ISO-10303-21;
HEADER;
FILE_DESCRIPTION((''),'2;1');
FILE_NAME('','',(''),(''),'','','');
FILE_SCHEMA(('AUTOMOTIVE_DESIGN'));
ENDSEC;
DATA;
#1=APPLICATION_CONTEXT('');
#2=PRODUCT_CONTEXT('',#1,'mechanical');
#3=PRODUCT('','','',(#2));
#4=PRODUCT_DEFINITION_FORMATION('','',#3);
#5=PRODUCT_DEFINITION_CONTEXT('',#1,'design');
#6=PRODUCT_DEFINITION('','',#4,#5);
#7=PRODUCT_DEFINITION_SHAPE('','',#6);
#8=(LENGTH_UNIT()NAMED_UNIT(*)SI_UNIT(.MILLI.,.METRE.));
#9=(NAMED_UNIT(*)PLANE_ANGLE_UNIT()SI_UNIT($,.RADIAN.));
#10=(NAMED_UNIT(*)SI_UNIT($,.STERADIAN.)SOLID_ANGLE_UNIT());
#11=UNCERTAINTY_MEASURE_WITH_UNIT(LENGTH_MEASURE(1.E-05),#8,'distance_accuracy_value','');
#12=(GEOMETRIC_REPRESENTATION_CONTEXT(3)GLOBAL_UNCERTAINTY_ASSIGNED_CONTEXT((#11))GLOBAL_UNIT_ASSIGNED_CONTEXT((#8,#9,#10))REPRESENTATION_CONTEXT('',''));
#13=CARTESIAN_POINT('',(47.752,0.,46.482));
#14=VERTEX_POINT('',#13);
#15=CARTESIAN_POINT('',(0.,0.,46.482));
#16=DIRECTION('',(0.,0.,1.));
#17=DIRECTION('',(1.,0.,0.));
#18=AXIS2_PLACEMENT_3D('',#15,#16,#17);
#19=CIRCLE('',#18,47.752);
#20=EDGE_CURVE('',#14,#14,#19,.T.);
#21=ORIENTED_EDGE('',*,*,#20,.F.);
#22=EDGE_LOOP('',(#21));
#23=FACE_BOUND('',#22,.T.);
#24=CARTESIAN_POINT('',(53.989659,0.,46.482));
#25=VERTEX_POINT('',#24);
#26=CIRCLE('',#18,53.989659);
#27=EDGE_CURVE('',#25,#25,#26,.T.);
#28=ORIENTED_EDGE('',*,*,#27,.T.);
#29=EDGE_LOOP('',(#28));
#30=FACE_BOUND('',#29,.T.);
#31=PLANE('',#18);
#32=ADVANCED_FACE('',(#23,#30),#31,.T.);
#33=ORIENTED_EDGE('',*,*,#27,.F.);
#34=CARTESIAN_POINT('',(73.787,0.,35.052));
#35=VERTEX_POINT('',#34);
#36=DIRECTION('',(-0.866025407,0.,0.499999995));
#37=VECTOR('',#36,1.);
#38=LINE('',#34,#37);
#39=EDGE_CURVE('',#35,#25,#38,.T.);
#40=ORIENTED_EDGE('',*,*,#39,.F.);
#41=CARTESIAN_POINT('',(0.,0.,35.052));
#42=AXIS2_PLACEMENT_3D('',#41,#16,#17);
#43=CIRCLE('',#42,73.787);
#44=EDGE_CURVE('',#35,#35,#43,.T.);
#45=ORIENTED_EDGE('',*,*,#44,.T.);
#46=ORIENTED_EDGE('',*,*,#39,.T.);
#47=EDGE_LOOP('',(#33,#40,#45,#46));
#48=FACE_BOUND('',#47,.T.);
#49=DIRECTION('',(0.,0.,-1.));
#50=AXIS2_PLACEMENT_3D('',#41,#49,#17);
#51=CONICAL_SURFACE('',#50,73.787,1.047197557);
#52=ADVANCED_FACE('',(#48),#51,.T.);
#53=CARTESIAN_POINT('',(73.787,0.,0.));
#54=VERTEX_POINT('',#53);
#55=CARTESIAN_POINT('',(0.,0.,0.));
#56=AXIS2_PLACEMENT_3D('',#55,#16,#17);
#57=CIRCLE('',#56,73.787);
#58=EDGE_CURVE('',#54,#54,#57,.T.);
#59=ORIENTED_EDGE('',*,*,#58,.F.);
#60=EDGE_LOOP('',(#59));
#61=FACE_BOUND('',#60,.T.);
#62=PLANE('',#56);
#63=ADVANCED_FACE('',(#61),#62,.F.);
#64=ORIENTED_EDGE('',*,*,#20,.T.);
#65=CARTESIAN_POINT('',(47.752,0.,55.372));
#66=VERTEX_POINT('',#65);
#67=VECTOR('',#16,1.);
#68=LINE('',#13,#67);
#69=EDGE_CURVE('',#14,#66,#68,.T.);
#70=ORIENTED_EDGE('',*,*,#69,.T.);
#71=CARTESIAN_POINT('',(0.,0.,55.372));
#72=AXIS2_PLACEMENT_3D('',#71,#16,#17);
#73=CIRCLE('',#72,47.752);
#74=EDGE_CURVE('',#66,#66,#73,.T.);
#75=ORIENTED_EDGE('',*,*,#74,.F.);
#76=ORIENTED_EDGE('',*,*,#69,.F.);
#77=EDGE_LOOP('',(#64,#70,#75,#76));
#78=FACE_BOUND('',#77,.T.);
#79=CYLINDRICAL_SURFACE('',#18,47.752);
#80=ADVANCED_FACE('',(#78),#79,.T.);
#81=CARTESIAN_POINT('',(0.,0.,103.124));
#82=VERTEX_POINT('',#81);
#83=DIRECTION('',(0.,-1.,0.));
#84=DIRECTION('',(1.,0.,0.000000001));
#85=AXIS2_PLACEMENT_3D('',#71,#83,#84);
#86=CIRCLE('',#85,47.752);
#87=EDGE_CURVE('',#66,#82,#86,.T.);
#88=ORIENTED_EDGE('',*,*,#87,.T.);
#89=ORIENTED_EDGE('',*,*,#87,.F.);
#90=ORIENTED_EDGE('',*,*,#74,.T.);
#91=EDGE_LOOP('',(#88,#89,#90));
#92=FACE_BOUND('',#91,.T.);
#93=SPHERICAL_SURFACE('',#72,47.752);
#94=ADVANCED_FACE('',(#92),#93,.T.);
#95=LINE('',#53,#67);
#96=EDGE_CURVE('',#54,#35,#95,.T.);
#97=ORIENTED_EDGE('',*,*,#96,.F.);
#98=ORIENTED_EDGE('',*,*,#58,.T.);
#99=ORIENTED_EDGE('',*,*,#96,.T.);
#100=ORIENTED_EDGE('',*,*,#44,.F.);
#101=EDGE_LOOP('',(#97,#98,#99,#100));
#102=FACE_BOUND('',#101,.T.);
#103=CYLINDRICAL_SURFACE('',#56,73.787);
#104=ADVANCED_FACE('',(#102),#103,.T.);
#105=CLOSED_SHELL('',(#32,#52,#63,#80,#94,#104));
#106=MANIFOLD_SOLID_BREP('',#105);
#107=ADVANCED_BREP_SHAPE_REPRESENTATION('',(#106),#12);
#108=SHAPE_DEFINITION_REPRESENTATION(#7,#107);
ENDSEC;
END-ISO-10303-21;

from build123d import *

# Parameters (mm, degrees)
F2_SIZE2 = 19.797341
F2_SIZE  = 11.43


with BuildPart() as f1:
    # F0 (on Front) → F1 (revolve)
    with BuildSketch(Plane.XZ):
        with BuildLine():
            Line((0, 103.124), (0, 0))
            Line((0, 0), (73.787, 0))
            Line((73.787, 0), (73.787, 46.482))
            Line((73.787, 46.482), (47.752, 46.482))
            Line((47.752, 46.482), (47.752, 55.372))
            ThreePointArc((47.752, 55.372), (33.765763, 89.137763), (0, 103.124))
        make_face()
    revolve(axis=Axis((0, 0, 51.562), (0, 0, 1)))

    # F2
    f2_edges = [f1.edges().sort_by_distance(p)[0] for p in [
        (-73.787, 0, 46.482),
    ]]
    chamfer(f2_edges, length=F2_SIZE, length2=F2_SIZE2)


solid = f1.part
